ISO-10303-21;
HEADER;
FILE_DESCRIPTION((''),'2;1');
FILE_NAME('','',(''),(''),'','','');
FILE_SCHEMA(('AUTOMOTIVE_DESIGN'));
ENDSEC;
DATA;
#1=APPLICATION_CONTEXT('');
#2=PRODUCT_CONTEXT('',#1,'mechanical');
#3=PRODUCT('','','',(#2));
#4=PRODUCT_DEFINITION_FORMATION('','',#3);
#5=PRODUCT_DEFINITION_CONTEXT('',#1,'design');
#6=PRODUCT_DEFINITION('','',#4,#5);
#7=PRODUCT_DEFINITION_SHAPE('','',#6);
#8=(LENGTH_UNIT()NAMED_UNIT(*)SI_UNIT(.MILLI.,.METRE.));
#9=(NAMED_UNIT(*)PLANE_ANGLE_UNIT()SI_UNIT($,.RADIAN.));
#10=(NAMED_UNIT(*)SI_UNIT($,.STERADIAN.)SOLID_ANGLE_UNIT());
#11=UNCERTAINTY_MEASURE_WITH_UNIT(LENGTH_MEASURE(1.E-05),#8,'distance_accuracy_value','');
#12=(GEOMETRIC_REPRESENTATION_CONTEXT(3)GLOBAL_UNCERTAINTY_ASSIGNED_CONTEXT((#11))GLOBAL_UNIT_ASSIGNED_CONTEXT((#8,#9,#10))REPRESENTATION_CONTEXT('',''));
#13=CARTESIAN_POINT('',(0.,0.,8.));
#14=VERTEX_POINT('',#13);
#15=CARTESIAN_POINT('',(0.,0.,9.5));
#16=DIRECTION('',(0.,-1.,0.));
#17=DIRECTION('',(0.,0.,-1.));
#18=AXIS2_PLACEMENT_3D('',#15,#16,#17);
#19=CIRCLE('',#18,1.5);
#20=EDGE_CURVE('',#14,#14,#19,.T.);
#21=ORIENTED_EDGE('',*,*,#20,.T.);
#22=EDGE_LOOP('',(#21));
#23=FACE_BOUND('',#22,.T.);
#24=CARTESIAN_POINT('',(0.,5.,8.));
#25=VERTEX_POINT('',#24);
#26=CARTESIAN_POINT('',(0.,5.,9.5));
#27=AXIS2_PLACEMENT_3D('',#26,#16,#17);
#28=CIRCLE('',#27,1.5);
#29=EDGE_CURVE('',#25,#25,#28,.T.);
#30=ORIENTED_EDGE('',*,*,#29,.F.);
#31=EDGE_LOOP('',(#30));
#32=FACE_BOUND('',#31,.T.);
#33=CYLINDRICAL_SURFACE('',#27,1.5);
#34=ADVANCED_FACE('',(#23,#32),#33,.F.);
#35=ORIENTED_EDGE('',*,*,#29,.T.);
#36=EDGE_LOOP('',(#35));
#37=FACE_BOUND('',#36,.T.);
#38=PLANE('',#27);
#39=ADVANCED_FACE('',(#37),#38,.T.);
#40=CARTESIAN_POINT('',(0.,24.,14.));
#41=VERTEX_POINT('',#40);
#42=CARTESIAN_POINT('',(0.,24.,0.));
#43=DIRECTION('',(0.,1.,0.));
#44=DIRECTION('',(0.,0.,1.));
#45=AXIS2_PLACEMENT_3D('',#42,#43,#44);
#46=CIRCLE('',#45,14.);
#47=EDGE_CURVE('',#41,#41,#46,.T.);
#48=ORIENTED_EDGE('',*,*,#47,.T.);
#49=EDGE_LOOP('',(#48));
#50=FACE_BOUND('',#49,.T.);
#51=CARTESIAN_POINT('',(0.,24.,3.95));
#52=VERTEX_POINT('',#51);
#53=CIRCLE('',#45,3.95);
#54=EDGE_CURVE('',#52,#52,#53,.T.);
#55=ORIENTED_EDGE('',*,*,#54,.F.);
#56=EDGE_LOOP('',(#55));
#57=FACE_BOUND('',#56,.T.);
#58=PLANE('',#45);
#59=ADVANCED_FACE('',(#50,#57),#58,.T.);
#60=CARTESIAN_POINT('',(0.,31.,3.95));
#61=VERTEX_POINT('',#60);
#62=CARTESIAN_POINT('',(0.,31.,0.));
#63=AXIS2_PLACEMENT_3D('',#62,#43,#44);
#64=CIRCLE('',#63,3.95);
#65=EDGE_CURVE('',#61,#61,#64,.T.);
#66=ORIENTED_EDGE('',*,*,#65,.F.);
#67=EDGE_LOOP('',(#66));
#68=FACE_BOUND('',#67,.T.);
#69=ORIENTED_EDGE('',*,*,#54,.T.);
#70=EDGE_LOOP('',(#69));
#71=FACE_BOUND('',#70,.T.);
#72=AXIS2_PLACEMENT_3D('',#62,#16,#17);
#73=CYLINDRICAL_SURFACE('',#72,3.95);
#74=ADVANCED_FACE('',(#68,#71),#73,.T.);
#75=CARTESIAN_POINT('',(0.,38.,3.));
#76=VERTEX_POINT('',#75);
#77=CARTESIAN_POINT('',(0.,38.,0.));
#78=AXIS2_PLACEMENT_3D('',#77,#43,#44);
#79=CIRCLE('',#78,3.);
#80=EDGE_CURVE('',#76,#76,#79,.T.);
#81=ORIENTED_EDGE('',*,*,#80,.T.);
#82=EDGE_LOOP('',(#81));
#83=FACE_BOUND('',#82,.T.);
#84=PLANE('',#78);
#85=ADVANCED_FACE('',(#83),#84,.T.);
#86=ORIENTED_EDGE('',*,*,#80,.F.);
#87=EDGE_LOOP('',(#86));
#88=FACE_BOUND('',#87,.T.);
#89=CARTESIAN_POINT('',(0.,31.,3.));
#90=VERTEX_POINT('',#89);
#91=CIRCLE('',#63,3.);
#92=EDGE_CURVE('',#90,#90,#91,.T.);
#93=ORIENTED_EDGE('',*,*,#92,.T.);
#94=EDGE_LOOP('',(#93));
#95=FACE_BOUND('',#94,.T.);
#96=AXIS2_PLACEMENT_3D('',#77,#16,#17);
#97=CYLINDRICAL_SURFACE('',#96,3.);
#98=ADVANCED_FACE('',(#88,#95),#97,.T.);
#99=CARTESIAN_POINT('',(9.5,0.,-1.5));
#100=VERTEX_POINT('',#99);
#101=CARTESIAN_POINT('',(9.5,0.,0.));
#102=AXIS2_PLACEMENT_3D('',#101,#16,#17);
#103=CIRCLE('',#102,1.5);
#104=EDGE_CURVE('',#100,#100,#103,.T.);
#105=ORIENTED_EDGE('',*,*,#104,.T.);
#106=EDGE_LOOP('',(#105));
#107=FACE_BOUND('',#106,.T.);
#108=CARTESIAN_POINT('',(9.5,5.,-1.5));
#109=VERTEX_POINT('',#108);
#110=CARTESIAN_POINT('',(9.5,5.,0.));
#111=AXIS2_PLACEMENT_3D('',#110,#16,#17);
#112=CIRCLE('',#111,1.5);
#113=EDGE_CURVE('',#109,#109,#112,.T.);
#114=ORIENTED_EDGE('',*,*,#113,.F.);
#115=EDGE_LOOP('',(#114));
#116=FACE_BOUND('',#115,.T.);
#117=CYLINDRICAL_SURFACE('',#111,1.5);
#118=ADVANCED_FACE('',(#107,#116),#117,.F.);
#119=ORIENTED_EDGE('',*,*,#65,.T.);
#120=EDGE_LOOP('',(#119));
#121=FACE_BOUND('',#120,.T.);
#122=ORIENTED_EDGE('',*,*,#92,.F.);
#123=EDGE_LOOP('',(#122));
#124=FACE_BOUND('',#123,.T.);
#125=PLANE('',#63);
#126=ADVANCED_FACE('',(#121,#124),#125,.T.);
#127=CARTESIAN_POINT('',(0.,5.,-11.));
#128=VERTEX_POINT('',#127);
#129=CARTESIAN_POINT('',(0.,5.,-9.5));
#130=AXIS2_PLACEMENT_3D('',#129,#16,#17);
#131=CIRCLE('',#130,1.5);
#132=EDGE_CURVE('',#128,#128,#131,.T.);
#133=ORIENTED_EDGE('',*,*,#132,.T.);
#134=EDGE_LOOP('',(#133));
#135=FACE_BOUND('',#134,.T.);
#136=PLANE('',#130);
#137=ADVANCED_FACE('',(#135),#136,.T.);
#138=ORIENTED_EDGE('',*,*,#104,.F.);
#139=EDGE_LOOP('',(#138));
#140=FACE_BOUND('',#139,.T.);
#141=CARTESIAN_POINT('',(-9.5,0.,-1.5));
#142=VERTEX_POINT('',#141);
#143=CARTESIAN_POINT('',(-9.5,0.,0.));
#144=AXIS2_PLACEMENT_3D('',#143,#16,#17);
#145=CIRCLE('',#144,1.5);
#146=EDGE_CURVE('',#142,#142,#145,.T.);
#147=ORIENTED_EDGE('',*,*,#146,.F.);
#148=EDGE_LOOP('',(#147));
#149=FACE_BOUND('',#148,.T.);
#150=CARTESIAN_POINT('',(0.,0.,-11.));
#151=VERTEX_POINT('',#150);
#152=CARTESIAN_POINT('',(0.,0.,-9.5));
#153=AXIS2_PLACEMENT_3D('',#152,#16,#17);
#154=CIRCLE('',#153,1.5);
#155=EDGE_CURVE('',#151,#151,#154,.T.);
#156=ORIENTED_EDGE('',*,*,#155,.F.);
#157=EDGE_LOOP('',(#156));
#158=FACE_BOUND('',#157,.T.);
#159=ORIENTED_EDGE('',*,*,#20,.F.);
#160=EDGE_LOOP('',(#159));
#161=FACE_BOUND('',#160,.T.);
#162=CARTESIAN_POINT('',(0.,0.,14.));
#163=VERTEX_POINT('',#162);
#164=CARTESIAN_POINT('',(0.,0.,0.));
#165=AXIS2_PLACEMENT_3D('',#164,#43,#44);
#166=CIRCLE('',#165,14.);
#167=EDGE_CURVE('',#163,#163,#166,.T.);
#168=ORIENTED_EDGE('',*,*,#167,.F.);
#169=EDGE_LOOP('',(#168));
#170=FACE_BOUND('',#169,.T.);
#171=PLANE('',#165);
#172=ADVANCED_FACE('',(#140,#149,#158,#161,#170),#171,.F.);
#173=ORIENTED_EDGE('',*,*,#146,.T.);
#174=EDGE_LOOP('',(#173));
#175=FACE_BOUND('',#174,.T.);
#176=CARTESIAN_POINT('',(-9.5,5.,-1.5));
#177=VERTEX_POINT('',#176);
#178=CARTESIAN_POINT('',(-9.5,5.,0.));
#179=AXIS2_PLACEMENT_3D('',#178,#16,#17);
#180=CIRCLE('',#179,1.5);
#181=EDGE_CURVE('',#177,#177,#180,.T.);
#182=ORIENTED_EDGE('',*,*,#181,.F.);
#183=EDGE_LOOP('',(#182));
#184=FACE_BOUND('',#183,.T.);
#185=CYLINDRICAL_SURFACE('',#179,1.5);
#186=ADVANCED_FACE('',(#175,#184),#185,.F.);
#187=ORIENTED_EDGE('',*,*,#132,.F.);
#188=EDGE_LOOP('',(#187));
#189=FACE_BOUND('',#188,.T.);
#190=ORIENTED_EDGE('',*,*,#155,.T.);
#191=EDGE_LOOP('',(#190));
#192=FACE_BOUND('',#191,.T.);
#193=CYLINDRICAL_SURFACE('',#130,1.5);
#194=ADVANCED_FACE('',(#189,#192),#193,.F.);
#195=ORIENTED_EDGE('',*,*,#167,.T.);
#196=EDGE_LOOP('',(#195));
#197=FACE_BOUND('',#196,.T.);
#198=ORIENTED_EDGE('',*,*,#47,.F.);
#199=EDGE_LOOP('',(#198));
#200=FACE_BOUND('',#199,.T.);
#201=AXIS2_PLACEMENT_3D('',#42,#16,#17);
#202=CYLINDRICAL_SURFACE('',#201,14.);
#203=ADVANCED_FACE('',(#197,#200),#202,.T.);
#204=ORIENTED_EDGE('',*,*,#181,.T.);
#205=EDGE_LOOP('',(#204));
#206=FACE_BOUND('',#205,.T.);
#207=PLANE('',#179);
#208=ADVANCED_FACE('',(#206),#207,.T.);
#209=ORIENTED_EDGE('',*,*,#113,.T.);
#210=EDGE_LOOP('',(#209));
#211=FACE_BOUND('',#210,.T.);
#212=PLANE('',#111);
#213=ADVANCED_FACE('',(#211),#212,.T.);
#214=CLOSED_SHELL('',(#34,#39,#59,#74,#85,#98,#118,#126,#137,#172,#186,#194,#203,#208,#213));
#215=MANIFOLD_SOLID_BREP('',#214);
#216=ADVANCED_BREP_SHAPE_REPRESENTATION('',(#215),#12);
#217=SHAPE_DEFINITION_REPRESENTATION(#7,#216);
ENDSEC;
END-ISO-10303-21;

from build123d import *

# Parameters (mm, degrees)
SKETCH2_R           = 14
BOSS_EXTRUDE1_DEPTH = 24
SKETCH3_R           = 3.95
BOSS_EXTRUDE2_DEPTH = 7
SKETCH4_R           = 3
BOSS_EXTRUDE3_DEPTH = 7
SKETCH6_R           = 1.5
CUT_EXTRUDE1_DEPTH  = 5


with BuildPart() as part:
    # Sketch2 → Boss-Extrude1 (new body)
    with BuildSketch(Plane(origin=(0, 0, 0), x_dir=(1, 0, 0), z_dir=(0, 1, 0))):
        with Locations(Location((0, 0, 0), (0, 0, 270))):
            Circle(SKETCH2_R)
    extrude(amount=BOSS_EXTRUDE1_DEPTH)

    # Sketch3 → Boss-Extrude2 (add)
    with BuildSketch(Plane(origin=(0, 24, 0), x_dir=(1, 0, 0), z_dir=(0, 1, 0))):
        with Locations(Location((0, 0, 0), (0, 0, 270))):
            Circle(SKETCH3_R)
    extrude(amount=BOSS_EXTRUDE2_DEPTH)

    # Sketch4 → Boss-Extrude3 (add)
    with BuildSketch(Plane(origin=(0, 31, 0), x_dir=(1, 0, 0), z_dir=(0, 1, 0))):
        with Locations(Location((0, 0, 0), (0, 0, 270))):
            Circle(SKETCH4_R)
    extrude(amount=BOSS_EXTRUDE3_DEPTH)

    # Sketch6 → Cut-Extrude1 (cut)
    with BuildSketch(Plane.XZ):
        with Locations(Location((9.5, 0, 0), (0, 0, 270))):
            Circle(SKETCH6_R)
        with Locations(Location((0, -9.5, 0), (0, 0, 270))):
            Circle(SKETCH6_R)
        with Locations(Location((-9.5, 0, 0), (0, 0, 270))):
            Circle(SKETCH6_R)
        with Locations(Location((0, 9.5, 0), (0, 0, 270))):
            Circle(SKETCH6_R)
    extrude(amount=-CUT_EXTRUDE1_DEPTH, mode=Mode.SUBTRACT)


solid = part.part
